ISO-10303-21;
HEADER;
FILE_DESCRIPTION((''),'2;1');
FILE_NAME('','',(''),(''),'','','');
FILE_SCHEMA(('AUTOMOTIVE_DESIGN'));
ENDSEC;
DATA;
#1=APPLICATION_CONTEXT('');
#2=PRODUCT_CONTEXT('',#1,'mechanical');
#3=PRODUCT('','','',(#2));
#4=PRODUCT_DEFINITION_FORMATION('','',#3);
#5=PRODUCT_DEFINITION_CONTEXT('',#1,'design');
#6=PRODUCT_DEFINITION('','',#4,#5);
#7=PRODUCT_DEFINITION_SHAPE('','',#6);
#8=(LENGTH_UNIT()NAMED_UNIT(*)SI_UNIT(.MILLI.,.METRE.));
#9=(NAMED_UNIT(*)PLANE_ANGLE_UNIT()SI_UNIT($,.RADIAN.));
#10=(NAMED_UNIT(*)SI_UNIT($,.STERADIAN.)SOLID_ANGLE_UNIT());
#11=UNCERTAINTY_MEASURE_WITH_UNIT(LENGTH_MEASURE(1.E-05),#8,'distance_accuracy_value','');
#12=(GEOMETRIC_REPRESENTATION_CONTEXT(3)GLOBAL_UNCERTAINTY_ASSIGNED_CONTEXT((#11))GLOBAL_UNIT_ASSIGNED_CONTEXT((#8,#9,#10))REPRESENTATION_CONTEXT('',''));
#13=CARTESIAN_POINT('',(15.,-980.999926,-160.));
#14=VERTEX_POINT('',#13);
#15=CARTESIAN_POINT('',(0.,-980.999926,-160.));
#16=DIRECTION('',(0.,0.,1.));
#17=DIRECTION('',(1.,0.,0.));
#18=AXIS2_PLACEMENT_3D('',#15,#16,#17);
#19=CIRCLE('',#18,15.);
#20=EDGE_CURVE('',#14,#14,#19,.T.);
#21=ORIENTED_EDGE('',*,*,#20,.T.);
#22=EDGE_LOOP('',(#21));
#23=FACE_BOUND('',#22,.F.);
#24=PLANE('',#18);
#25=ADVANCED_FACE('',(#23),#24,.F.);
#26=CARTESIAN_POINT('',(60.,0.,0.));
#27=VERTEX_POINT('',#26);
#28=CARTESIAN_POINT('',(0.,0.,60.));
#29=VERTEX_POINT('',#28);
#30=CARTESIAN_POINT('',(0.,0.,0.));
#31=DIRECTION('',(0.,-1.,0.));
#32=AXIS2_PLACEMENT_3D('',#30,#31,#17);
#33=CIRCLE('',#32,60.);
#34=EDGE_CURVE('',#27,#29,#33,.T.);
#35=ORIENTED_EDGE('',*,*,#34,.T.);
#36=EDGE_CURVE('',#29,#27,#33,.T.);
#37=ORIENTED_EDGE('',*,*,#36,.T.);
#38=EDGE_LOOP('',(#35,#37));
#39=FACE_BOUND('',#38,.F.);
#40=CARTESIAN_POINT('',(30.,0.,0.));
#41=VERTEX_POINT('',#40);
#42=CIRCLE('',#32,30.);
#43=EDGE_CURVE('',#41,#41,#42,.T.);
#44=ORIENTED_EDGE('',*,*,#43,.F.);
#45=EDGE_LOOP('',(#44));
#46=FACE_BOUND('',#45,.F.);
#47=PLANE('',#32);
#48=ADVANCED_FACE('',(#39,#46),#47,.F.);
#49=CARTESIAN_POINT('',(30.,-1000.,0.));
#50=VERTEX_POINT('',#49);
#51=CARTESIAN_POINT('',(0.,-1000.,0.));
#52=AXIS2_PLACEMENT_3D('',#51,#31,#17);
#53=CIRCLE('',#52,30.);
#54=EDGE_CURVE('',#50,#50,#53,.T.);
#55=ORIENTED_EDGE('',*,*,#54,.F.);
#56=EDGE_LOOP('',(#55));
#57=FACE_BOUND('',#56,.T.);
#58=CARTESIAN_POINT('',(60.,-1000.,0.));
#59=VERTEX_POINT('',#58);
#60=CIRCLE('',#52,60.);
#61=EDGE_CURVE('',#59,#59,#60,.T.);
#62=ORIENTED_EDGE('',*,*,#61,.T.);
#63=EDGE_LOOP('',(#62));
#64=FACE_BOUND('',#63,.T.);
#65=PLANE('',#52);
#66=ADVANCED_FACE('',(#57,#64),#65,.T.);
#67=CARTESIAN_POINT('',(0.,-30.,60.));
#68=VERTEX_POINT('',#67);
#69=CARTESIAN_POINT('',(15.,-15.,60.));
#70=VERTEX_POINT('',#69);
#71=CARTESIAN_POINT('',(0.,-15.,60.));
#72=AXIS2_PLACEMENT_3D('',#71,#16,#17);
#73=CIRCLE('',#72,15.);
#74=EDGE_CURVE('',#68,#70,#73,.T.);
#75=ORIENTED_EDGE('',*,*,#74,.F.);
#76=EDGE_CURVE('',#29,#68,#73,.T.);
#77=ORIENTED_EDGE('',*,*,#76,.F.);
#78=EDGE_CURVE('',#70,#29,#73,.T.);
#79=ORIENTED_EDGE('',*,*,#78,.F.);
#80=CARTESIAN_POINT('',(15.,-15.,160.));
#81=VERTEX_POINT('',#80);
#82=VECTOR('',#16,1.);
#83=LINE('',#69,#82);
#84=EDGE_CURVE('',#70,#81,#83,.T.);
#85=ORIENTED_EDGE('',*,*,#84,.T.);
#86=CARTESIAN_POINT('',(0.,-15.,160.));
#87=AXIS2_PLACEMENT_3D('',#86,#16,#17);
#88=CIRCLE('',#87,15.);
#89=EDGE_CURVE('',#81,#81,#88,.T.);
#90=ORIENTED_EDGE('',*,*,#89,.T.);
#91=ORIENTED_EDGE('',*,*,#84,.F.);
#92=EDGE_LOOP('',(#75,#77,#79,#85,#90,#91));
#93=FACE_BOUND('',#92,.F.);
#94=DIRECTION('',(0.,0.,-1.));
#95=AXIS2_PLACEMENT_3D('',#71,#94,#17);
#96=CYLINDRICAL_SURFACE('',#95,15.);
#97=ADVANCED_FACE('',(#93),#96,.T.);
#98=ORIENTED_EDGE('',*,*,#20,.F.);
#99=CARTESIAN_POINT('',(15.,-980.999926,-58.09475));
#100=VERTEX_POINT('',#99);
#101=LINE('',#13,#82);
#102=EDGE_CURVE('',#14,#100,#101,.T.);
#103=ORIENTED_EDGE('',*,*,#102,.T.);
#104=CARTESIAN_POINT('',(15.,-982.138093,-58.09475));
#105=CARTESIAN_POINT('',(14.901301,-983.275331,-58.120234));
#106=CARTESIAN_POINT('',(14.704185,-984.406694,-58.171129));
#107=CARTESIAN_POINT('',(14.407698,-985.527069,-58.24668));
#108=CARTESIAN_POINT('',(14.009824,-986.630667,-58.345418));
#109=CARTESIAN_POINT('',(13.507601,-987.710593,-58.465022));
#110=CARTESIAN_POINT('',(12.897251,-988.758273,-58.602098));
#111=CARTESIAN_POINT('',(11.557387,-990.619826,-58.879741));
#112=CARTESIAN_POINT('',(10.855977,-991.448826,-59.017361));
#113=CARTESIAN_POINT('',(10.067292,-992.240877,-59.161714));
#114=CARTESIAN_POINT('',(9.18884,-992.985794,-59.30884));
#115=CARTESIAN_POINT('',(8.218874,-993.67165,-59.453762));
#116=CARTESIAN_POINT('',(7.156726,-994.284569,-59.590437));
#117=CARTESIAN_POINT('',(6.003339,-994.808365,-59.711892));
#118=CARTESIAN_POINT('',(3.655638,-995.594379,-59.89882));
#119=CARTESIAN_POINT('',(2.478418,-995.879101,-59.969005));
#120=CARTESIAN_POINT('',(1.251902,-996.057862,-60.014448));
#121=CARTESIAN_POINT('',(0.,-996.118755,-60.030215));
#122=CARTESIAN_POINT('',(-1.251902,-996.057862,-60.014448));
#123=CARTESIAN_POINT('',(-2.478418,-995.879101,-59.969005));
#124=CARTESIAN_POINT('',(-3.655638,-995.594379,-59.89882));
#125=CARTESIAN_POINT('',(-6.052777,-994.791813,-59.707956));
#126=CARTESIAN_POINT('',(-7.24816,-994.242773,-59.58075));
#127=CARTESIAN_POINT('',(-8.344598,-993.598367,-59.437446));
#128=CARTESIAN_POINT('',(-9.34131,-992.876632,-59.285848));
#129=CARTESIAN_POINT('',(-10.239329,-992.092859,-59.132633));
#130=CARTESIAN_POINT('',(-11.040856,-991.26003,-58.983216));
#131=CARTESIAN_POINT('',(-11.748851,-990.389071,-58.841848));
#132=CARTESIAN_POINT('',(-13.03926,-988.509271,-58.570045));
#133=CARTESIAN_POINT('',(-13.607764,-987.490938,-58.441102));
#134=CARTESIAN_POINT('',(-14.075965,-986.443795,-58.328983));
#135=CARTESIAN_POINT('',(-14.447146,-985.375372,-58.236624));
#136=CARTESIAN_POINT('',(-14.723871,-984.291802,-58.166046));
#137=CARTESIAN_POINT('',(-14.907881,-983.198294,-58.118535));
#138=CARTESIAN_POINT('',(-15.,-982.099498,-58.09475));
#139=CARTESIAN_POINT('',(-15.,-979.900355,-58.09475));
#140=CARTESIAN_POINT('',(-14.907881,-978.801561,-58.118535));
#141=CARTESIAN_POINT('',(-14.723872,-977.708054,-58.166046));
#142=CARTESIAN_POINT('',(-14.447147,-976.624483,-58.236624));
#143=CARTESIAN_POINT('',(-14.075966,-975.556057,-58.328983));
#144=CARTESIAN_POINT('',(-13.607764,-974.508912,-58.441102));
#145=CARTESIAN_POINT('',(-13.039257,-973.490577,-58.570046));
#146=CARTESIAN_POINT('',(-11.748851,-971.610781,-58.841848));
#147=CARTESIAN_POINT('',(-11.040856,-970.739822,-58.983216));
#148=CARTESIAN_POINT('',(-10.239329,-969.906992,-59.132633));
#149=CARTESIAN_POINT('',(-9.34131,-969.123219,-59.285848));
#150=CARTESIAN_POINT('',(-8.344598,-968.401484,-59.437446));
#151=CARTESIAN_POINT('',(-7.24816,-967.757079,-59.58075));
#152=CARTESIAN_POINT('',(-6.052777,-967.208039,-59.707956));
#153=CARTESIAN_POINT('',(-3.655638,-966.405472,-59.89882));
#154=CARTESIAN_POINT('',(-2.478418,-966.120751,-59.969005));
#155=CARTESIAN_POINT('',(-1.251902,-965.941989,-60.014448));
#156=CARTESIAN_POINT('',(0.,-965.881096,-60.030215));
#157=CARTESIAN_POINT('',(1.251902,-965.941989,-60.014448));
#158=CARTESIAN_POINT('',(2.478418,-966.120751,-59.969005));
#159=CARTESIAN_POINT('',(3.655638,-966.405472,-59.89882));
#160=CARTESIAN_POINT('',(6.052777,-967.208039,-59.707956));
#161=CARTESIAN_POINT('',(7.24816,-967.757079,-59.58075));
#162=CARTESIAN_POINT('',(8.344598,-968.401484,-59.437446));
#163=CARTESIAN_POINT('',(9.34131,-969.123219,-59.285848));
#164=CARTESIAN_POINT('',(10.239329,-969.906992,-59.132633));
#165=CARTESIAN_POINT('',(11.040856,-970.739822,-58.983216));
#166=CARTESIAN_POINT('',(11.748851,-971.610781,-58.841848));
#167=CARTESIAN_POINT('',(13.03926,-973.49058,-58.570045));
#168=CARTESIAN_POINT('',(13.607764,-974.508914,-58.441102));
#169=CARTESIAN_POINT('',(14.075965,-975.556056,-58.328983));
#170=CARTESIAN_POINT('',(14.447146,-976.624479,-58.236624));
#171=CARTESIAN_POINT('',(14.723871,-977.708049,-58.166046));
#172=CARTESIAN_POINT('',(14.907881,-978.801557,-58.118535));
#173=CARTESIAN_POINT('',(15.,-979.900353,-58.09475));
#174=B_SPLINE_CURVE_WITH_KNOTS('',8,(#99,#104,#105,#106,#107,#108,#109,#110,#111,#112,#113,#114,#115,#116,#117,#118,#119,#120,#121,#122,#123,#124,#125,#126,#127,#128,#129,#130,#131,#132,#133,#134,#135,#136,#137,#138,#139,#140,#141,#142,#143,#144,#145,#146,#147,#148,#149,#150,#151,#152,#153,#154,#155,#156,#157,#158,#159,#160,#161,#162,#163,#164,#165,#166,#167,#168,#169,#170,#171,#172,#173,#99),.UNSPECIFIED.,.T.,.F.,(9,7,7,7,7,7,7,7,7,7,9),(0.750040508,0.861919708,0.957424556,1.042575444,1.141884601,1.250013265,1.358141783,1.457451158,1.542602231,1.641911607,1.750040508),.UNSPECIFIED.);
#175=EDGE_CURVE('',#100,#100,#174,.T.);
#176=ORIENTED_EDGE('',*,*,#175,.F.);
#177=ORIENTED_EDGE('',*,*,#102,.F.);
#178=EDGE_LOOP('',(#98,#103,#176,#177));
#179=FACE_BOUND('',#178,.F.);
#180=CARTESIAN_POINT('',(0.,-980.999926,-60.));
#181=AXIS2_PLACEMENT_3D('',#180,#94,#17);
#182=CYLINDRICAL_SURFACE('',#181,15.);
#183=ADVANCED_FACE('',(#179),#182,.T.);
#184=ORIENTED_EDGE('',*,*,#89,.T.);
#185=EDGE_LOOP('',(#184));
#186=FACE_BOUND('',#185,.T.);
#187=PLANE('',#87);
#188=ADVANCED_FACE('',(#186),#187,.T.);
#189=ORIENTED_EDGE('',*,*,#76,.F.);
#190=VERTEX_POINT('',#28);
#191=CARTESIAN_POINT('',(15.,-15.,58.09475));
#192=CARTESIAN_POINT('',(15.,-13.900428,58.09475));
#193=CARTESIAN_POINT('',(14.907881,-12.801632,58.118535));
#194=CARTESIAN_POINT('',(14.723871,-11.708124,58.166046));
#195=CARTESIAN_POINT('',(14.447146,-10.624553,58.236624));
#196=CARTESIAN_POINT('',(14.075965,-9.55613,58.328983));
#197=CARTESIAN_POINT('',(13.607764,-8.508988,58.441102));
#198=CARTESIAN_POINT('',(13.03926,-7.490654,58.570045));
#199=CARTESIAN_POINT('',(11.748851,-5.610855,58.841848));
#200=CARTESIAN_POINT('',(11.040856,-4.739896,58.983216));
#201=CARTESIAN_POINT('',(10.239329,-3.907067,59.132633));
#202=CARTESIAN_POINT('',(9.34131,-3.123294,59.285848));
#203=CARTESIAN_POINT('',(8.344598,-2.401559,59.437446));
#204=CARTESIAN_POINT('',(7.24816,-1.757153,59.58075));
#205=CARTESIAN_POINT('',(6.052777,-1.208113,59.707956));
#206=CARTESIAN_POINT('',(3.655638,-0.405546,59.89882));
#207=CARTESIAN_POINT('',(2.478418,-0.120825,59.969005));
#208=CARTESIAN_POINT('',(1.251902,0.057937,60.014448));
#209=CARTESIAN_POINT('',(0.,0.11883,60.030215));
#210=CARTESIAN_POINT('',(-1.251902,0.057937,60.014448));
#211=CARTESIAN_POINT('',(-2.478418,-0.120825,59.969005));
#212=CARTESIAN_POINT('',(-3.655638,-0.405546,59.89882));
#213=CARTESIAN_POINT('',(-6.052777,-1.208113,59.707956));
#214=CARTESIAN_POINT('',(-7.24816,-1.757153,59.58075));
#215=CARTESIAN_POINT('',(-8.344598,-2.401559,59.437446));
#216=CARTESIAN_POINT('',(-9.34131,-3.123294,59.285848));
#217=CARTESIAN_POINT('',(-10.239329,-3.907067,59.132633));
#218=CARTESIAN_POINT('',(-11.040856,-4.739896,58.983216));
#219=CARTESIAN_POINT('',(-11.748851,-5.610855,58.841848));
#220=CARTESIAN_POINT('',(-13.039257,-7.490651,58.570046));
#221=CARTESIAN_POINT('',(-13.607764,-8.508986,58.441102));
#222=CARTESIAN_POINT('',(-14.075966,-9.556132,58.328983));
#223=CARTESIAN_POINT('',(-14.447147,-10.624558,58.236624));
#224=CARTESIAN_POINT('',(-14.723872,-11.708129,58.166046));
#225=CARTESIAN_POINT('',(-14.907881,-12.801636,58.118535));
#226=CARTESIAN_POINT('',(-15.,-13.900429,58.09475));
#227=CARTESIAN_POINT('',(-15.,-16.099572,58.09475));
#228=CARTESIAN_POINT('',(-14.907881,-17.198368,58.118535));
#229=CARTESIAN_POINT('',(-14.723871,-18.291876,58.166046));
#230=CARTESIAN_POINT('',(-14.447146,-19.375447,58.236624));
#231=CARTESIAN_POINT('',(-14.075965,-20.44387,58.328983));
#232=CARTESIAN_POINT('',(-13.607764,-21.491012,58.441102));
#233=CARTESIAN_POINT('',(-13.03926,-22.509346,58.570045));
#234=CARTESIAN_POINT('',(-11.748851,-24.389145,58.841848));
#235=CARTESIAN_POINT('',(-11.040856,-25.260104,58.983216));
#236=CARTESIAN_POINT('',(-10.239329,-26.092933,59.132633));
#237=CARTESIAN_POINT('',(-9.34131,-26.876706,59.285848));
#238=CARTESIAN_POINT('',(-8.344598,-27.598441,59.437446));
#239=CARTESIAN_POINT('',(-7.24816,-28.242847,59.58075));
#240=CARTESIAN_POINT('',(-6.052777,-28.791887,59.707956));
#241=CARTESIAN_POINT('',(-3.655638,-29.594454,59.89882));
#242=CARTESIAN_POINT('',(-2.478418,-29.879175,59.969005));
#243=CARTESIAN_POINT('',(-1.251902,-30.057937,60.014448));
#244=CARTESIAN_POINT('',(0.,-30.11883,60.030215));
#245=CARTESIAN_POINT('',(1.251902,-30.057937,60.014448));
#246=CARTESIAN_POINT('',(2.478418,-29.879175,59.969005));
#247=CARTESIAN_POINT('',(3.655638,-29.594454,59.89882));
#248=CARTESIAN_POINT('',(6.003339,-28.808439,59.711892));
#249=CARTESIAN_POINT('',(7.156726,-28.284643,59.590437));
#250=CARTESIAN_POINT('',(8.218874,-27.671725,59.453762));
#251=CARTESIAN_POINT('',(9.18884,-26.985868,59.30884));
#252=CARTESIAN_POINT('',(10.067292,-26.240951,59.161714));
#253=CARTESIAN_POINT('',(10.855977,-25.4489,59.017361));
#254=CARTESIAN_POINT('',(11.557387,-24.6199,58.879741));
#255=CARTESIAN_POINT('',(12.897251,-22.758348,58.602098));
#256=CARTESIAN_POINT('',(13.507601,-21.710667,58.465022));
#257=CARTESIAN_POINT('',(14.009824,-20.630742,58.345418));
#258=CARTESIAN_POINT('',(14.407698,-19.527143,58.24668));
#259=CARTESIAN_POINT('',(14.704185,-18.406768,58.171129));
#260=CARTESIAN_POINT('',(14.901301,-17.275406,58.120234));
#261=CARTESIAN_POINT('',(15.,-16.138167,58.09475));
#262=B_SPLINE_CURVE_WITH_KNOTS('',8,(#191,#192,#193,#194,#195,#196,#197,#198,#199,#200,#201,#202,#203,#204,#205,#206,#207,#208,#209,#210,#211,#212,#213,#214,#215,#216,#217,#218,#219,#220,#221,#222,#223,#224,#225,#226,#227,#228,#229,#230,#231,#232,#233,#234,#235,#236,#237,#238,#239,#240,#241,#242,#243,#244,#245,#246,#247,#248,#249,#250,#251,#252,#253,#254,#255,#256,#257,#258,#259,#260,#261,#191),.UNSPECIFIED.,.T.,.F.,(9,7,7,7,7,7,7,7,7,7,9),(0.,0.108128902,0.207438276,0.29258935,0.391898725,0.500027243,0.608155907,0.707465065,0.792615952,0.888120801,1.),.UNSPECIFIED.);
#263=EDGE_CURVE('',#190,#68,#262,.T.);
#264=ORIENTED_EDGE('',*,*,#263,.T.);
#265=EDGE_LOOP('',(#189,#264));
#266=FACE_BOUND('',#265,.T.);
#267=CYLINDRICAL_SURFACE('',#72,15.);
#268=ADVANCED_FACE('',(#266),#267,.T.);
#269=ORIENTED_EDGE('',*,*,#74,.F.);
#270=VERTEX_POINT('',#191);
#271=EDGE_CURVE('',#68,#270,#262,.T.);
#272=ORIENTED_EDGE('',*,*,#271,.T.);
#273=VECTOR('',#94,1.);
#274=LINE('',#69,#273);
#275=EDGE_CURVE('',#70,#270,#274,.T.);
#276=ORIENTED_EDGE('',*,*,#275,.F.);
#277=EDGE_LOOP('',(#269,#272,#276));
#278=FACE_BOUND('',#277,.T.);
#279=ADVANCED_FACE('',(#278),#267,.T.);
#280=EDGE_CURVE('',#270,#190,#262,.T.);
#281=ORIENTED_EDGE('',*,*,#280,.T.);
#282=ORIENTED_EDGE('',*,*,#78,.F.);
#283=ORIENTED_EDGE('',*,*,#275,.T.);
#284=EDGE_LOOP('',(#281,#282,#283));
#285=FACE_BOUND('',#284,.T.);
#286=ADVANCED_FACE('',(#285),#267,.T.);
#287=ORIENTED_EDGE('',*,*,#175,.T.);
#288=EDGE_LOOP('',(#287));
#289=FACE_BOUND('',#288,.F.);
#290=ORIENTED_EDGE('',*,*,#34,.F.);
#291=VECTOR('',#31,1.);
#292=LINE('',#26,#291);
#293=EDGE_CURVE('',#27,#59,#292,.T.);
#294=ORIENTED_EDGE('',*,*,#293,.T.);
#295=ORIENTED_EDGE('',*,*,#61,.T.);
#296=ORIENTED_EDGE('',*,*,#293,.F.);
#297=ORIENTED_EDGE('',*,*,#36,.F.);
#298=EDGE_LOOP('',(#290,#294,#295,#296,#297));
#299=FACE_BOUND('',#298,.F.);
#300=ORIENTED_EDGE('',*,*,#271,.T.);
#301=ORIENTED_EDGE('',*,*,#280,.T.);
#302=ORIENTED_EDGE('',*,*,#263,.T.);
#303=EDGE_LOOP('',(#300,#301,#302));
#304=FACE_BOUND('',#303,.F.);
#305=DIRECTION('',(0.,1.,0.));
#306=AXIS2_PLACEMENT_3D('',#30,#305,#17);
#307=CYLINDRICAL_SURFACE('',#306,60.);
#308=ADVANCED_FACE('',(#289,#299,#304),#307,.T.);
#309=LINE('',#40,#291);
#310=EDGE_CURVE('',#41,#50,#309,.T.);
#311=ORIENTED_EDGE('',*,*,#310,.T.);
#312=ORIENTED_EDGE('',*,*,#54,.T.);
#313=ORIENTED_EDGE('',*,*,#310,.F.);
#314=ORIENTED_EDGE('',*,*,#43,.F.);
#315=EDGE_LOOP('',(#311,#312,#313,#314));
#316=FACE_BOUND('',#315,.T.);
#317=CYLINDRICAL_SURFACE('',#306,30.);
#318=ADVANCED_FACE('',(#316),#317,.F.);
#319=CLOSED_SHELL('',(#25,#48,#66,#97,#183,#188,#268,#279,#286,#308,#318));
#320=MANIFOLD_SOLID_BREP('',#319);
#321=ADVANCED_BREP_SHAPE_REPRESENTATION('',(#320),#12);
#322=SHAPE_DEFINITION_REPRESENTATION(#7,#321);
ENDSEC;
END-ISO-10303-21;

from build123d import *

# Parameters (mm, degrees)
F0_R          = 60
F0_R_2        = 30
F1_DEPTH      = 1000
F3_R          = 15
F4_DEPTH      = 100
F4_DEPTH_BACK = 7
F6_R          = 15
F7_DEPTH      = 100
F7_DEPTH_BACK = 7


with BuildPart() as f1:
    # F0 (on Front) → F1 (new body)
    with BuildSketch(Plane.XZ):
        Circle(F0_R)
        Circle(F0_R_2, mode=Mode.SUBTRACT)
    extrude(amount=F1_DEPTH)

    # F3 (on offset) → F4 (join, two sides)
    with BuildSketch(Plane.XY.offset(60)) as f4_sk:
        with Locations((0, -15)):
            Circle(F3_R)
    extrude(amount=F4_DEPTH)
    extrude(f4_sk.sketch, amount=-F4_DEPTH_BACK)

    # F6 (on offset) → F7 (join, two sides)
    with BuildSketch(Plane.XY.offset(-60)) as f7_sk:
        with Locations((0, -980.9999256134)):
            Circle(F6_R)
    extrude(amount=-F7_DEPTH)
    extrude(f7_sk.sketch, amount=F7_DEPTH_BACK)


solid = f1.part
